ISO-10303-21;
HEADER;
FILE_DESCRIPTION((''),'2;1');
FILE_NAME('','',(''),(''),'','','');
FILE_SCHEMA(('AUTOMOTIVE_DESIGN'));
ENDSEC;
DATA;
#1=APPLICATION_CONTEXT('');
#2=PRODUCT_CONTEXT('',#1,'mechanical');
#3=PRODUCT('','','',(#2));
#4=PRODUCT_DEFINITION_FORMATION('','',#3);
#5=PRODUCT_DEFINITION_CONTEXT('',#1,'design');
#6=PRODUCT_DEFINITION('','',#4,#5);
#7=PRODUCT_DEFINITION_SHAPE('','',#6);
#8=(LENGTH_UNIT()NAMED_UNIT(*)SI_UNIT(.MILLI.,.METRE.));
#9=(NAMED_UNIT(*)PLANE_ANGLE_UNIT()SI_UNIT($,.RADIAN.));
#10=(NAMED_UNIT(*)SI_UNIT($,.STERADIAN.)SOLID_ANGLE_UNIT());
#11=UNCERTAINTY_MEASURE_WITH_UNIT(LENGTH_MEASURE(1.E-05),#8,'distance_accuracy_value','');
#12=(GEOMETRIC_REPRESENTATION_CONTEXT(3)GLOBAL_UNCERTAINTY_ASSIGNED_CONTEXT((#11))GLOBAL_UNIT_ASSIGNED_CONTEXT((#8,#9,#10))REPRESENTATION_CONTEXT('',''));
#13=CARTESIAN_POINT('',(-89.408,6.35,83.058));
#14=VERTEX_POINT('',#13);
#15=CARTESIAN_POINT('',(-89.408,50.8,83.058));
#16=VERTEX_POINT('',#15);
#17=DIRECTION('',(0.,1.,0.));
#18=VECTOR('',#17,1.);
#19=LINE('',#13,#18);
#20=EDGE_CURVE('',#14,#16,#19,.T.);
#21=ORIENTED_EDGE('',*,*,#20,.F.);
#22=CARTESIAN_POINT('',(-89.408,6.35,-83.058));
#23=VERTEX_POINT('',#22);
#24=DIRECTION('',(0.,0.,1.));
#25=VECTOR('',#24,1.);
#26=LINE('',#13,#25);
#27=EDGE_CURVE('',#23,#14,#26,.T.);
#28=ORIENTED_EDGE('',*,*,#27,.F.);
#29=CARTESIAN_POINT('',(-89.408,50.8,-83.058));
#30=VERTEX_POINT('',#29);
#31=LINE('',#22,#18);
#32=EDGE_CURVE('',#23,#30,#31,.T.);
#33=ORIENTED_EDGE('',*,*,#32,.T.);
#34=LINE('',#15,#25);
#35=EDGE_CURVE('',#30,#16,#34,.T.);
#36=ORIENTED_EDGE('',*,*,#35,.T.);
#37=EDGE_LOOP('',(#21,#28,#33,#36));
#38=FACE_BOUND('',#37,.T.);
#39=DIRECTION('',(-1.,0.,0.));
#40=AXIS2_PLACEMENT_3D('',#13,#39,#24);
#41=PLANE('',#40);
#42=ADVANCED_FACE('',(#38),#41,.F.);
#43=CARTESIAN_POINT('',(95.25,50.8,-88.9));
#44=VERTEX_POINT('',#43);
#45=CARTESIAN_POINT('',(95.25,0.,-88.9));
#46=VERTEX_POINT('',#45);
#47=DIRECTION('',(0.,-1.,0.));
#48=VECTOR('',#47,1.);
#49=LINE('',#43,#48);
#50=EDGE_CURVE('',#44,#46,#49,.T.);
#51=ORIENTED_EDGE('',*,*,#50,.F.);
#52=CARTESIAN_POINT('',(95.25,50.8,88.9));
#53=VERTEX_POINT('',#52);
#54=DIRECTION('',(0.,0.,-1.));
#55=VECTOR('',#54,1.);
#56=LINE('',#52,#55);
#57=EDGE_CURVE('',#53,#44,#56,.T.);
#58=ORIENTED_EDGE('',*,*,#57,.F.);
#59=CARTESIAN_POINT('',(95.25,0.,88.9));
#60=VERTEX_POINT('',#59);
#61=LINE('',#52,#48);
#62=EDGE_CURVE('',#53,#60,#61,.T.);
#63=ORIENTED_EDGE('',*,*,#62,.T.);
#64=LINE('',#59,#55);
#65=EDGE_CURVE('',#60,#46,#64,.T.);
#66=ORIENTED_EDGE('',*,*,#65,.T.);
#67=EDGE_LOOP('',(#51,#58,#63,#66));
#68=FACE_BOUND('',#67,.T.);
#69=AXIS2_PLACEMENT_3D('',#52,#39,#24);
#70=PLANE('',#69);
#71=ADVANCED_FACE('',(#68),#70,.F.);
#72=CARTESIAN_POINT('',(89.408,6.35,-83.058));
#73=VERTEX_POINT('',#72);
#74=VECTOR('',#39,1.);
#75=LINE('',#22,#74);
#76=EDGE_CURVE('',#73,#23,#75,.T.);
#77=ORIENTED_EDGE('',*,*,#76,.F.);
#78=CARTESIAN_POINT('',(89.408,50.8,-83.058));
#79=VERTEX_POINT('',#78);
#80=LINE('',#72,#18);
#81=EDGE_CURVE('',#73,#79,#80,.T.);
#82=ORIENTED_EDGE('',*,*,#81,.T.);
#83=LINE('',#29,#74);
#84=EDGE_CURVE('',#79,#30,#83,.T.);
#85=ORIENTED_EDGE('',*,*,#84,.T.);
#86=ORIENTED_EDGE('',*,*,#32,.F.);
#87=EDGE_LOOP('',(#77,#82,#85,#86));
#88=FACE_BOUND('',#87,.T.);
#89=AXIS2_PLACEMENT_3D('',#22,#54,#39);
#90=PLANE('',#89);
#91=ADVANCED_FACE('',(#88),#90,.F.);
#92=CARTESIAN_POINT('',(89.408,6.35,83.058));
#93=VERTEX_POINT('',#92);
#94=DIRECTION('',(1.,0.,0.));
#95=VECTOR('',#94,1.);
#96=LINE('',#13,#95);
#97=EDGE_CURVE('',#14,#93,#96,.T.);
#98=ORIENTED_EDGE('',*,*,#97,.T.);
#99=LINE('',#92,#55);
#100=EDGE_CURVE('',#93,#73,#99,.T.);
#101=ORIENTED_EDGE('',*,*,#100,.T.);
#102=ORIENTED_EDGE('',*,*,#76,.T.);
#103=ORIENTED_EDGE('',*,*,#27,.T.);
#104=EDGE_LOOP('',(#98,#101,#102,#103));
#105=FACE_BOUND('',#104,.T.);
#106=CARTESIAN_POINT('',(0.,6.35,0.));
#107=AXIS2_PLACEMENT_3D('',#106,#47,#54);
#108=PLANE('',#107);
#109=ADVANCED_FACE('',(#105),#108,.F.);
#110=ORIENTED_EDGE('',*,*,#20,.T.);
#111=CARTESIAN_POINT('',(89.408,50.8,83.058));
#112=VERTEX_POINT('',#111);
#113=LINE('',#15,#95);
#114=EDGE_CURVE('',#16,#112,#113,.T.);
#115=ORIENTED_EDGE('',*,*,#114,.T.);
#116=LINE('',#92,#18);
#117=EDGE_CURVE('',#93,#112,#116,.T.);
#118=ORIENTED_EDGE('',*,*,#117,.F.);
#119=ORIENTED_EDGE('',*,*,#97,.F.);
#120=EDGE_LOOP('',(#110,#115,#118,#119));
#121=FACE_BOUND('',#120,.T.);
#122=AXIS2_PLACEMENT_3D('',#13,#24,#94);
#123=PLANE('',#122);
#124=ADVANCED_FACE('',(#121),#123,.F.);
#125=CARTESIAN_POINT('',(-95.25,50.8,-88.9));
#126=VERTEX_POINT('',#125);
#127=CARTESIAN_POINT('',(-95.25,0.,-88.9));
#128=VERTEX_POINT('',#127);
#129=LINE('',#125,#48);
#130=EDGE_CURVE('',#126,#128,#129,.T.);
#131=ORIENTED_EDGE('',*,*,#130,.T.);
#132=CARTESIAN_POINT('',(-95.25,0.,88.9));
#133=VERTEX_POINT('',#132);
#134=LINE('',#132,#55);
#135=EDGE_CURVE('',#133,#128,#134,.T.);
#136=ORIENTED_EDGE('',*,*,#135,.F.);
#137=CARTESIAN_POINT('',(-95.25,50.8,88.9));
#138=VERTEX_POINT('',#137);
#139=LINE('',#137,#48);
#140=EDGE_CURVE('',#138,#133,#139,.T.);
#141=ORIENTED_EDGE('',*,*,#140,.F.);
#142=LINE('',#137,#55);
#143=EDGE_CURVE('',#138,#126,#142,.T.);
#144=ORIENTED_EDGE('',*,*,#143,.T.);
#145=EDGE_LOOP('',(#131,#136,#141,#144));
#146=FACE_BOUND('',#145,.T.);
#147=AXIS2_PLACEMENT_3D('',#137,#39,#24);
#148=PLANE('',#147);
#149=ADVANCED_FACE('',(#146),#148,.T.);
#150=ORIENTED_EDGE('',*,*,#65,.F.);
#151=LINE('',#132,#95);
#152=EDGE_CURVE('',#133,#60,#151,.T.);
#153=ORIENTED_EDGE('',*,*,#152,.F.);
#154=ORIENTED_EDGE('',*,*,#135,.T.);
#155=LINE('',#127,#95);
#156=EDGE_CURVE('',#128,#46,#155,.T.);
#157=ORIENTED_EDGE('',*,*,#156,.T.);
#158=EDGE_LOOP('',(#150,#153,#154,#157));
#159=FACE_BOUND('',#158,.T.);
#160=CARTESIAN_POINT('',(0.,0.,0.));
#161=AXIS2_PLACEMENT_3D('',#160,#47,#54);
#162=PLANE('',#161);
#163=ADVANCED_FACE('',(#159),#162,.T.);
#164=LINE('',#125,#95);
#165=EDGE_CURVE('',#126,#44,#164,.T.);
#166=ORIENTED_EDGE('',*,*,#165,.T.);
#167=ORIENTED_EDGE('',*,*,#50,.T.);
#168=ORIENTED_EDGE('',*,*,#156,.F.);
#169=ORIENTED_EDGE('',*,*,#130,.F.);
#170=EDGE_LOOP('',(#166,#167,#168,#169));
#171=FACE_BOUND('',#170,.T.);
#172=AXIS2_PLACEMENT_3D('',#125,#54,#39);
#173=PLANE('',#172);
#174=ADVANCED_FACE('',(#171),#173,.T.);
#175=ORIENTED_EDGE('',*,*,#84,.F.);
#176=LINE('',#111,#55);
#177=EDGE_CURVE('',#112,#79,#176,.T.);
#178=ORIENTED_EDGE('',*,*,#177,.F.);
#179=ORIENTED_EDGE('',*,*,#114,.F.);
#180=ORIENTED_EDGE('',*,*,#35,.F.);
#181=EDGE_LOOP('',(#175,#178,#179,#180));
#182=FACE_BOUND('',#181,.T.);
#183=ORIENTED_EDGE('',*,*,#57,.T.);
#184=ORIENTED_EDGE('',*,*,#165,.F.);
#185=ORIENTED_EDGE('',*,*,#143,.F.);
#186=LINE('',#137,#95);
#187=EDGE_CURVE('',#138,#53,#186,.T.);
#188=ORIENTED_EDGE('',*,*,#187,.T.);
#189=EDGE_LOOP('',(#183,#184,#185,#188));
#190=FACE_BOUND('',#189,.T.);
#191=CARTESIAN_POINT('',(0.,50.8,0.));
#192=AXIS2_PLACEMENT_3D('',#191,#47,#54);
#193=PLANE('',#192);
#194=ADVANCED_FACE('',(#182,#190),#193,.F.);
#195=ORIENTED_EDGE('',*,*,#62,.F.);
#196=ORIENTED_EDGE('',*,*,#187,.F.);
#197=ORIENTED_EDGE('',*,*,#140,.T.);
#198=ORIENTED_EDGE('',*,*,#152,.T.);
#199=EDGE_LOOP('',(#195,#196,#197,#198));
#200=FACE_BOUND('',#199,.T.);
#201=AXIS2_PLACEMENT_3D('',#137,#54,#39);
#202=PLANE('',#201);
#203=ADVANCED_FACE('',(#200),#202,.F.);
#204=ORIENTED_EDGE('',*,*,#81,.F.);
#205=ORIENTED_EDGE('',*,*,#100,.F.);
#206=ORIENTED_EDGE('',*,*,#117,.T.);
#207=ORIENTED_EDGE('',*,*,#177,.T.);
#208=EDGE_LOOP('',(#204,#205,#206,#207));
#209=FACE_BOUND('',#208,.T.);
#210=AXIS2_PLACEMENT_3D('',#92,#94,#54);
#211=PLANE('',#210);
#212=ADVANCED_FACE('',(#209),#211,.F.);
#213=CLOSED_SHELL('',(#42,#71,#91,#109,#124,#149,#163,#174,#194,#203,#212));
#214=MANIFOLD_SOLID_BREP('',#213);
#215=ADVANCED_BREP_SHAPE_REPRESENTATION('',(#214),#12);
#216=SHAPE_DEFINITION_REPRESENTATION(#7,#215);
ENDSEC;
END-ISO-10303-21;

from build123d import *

# Parameters (mm, degrees)
SKETCH1_W           = 190.5
SKETCH1_H           = 177.8
BOSS_EXTRUDE1_DEPTH = 50.8
SKETCH2_W           = 178.816
SKETCH2_H           = 166.116
CUT_EXTRUDE1_DEPTH  = 44.45


with BuildPart() as part:
    # Sketch1 → Boss-Extrude1 (new body)
    with BuildSketch(Plane(origin=(0, 0, 0), x_dir=(1, 0, 0), z_dir=(0, 1, 0))):
        Rectangle(SKETCH1_W, SKETCH1_H)
    extrude(amount=BOSS_EXTRUDE1_DEPTH)

    # Sketch2 → Cut-Extrude1 (cut)
    with BuildSketch(Plane(origin=(0, 50.8, 0), x_dir=(1, 0, 0), z_dir=(0, 1, 0))):
        Rectangle(SKETCH2_W, SKETCH2_H)
    extrude(amount=-CUT_EXTRUDE1_DEPTH, mode=Mode.SUBTRACT)


solid = part.part
